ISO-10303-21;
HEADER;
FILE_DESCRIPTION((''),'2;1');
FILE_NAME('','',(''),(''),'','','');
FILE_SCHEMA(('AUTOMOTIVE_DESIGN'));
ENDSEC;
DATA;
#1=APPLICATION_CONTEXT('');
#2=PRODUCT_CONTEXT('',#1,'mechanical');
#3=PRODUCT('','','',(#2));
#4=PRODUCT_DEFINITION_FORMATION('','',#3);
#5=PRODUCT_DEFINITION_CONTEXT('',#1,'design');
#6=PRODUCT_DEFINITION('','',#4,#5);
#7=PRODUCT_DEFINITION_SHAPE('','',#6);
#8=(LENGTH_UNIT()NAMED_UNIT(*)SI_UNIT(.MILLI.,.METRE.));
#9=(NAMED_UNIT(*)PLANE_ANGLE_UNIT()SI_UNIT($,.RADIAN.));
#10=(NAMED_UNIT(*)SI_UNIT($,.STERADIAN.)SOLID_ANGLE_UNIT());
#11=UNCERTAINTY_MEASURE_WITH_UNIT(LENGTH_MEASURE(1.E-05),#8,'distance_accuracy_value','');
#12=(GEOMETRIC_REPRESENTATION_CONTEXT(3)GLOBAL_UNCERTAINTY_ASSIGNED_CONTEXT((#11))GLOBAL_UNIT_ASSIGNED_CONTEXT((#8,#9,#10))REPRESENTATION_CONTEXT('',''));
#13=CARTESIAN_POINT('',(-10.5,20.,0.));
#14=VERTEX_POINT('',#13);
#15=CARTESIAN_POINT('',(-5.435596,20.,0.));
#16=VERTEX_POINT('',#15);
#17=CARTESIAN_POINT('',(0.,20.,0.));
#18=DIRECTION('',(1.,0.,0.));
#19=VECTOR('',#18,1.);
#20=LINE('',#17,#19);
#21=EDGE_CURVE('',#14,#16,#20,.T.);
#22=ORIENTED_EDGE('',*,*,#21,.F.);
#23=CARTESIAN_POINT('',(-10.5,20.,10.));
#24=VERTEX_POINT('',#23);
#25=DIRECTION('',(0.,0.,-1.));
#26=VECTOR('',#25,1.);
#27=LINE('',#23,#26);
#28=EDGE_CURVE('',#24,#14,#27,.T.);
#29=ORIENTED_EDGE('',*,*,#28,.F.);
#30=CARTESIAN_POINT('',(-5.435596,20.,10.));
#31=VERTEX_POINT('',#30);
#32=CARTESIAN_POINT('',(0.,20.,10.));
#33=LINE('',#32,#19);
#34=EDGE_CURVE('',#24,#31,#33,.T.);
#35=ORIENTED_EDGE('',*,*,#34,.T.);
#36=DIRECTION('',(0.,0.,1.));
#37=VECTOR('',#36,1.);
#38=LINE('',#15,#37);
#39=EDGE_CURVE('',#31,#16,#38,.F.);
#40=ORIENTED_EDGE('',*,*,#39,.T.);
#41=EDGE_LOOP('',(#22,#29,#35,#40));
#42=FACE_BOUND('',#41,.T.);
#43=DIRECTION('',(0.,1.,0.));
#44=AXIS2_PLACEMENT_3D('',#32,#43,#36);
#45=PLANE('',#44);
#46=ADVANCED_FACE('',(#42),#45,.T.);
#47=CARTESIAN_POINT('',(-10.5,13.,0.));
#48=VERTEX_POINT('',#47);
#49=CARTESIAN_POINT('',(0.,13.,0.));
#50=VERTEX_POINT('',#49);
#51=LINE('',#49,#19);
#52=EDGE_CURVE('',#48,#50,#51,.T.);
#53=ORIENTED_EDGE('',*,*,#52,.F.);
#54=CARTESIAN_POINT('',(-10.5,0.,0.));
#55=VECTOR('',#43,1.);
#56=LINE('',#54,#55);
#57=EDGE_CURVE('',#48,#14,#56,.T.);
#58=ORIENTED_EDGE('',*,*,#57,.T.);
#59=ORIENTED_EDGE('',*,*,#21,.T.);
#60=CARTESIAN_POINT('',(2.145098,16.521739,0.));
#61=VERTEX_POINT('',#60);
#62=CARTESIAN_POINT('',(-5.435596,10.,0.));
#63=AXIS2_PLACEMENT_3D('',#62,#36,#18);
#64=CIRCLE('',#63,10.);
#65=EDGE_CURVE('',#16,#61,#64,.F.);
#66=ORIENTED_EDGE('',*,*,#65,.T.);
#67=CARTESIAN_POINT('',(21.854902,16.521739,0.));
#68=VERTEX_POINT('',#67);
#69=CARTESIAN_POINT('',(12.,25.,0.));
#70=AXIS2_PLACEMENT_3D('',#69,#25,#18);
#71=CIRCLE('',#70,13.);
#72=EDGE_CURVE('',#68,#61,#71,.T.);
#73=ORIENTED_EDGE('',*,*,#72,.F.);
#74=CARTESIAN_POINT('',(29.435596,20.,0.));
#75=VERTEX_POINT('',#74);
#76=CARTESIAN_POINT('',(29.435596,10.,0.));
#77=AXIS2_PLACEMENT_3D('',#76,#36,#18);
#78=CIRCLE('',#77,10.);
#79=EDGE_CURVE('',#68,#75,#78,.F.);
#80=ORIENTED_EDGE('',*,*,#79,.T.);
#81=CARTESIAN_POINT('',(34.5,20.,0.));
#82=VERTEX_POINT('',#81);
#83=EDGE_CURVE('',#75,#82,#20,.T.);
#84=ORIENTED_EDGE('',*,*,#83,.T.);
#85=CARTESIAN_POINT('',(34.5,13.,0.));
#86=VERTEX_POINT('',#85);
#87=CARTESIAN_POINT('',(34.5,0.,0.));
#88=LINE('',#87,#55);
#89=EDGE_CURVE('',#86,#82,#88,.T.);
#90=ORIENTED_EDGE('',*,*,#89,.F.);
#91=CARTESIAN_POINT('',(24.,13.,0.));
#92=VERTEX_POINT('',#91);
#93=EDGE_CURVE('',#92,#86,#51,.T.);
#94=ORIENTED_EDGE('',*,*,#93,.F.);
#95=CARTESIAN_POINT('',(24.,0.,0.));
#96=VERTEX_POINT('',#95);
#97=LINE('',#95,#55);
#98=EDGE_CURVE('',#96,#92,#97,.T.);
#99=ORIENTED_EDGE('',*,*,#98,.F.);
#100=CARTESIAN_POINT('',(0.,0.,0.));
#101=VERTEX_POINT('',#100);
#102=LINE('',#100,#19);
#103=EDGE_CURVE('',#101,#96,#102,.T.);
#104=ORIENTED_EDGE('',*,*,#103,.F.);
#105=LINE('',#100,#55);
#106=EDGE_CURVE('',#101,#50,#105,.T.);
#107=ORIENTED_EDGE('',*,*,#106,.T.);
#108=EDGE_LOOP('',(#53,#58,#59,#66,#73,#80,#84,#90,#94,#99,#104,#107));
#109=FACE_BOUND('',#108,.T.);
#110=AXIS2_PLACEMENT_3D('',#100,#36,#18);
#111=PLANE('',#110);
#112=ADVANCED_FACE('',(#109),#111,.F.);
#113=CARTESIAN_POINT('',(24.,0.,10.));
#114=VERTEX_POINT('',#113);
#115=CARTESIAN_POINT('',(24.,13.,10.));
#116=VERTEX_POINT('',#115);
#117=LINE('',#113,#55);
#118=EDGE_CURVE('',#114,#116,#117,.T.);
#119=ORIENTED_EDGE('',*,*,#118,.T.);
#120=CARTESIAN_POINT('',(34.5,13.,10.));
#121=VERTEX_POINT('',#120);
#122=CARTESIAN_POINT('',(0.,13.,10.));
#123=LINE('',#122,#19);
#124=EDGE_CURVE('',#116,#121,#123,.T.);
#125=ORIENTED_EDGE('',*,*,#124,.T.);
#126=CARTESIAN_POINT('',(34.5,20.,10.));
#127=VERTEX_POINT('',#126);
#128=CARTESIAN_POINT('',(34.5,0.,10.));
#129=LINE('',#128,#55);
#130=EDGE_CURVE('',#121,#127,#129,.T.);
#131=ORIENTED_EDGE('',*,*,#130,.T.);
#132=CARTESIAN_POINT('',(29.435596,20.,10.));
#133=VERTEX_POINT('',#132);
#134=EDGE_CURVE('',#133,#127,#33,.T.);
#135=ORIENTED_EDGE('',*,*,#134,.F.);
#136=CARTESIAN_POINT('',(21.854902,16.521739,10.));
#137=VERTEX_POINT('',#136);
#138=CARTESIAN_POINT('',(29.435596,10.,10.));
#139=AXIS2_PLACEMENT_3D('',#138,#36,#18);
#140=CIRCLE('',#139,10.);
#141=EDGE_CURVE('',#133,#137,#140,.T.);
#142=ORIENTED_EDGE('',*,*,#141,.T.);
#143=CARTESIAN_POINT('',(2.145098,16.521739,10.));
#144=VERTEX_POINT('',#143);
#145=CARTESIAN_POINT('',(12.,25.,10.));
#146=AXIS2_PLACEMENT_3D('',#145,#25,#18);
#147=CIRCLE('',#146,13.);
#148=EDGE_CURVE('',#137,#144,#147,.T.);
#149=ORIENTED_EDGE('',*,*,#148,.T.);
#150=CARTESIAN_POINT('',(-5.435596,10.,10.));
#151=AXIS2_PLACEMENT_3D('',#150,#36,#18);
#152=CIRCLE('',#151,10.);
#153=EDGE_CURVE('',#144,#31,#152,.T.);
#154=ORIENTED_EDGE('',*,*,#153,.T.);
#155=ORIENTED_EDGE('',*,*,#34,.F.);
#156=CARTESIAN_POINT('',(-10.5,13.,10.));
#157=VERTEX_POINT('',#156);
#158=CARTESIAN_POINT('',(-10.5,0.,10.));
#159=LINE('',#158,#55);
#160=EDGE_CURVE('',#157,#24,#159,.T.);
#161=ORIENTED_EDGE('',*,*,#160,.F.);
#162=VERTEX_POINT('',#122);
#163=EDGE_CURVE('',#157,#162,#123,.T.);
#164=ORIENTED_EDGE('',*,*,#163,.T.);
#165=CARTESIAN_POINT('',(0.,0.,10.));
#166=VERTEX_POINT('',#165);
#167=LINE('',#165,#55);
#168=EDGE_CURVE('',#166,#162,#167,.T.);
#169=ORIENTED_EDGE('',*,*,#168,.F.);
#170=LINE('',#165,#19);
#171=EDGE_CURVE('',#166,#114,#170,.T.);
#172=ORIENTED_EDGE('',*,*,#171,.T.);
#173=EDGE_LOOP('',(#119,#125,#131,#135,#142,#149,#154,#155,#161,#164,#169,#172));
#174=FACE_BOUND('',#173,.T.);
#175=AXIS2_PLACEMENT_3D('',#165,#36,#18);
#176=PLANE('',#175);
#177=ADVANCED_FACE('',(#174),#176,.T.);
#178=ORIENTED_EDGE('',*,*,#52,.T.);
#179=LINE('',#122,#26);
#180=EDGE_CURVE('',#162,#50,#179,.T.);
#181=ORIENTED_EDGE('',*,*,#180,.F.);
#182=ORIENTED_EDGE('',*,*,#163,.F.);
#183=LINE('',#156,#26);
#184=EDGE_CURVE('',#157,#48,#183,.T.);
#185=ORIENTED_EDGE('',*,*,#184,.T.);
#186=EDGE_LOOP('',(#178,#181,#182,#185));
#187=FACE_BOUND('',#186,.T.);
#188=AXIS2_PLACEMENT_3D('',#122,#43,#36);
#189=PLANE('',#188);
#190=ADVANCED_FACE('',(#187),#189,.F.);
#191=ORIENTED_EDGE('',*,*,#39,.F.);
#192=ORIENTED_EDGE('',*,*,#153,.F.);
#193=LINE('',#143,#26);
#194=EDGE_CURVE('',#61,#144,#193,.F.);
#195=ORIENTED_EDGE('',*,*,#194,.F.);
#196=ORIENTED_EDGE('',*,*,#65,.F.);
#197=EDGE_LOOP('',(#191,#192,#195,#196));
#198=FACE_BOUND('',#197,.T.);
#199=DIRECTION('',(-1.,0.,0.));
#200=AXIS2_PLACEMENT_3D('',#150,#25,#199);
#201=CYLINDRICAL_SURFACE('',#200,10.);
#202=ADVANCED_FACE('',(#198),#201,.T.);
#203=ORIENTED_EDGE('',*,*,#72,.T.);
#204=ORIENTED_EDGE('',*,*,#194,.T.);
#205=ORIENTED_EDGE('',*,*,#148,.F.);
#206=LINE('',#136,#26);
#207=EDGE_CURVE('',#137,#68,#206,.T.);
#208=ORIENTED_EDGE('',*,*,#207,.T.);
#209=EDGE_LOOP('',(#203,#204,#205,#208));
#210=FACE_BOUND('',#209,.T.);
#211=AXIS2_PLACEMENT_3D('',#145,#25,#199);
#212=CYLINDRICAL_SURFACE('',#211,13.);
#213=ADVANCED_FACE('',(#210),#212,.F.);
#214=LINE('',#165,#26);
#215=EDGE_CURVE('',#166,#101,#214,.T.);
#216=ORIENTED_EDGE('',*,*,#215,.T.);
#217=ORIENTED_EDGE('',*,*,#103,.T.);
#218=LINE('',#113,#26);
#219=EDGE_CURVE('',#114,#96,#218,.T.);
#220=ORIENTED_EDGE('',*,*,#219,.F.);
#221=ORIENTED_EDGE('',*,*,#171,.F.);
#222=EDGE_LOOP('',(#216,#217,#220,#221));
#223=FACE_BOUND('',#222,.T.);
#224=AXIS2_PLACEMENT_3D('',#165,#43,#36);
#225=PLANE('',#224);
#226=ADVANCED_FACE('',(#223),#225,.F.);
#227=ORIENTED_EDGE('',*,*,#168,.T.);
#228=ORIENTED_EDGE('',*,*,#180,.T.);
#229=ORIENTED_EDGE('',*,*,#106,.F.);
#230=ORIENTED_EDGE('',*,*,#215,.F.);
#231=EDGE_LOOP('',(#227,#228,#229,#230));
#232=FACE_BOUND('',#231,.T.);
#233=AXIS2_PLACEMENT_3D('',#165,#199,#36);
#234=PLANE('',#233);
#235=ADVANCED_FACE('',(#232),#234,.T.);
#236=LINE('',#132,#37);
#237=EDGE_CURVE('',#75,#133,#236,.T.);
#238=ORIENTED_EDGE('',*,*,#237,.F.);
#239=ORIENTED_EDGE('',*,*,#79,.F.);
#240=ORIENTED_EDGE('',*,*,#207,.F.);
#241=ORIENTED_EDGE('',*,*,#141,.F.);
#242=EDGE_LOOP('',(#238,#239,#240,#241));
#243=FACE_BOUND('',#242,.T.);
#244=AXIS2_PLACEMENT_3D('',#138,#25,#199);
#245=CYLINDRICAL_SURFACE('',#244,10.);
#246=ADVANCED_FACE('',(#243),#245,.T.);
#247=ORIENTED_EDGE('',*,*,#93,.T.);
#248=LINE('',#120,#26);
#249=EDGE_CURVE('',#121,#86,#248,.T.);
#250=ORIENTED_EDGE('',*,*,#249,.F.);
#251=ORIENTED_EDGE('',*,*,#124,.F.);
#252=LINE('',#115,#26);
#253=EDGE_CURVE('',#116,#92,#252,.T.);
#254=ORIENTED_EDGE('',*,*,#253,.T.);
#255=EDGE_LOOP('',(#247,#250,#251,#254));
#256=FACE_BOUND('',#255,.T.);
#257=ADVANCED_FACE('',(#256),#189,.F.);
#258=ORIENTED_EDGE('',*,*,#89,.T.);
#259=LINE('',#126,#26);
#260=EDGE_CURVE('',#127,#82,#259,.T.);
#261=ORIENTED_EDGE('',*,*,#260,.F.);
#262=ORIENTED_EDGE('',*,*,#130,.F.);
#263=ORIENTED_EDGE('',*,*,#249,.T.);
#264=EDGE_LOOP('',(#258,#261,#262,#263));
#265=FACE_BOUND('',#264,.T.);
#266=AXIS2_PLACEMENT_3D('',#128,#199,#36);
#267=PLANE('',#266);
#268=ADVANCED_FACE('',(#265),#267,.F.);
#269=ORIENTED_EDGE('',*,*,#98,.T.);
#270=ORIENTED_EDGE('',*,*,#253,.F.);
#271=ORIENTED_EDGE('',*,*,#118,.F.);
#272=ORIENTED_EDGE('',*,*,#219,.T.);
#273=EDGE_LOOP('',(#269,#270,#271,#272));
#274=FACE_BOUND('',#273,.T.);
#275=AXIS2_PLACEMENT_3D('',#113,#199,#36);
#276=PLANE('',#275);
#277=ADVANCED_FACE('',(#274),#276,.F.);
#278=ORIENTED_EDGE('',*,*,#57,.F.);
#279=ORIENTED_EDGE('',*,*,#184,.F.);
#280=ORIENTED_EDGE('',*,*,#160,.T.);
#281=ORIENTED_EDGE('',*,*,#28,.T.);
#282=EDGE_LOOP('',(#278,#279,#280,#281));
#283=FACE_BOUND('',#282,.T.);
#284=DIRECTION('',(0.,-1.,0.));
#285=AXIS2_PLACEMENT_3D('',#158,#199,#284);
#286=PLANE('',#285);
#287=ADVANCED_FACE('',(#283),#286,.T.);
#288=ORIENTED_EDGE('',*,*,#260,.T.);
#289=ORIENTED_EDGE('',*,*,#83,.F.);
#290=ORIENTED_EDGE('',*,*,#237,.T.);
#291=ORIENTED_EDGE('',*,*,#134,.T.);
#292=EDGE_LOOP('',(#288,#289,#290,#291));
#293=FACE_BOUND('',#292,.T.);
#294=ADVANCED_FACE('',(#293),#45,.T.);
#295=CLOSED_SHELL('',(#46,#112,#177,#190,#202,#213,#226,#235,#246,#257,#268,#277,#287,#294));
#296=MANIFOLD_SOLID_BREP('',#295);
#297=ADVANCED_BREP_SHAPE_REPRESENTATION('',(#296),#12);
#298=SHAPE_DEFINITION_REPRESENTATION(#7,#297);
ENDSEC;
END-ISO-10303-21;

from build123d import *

# Parameters (mm, degrees)
SKETCH1_W           = 24
SKETCH1_H           = 13
BOSS_EXTRUDE1_DEPTH = 10
CUT_EXTRUDE2_DEPTH  = 11
FILLET1_R           = 10


with BuildPart() as part:
    # Sketch1 → Boss-Extrude1 (new body)
    with BuildSketch(Plane.XY):
        with Locations((12, 6.5)):
            Rectangle(SKETCH1_W, SKETCH1_H)
        Polygon((24, 13), (34.5, 13), (34.5, 20), (-10.5, 20), (-10.5, 13), (0, 13), align=None)
    extrude(amount=BOSS_EXTRUDE1_DEPTH)

    # Sketch2 → Cut-Extrude2 (cut, through all)
    with BuildSketch(Plane(origin=(0, 0, 0), x_dir=(-1, 0, 0), z_dir=(0, 0, -1))):
        with BuildLine():
            Line((0, 20), (-24, 20))
            ThreePointArc((-24, 20), (-12, 12), (0, 20))
        make_face()
    extrude(amount=-CUT_EXTRUDE2_DEPTH, mode=Mode.SUBTRACT)

    # Fillet1
    fillet1_edges = [part.edges().sort_by_distance(p)[0] for p in [
        (0, 20, 5),
        (24, 20, 5),
    ]]
    fillet(fillet1_edges, radius=FILLET1_R)


solid = part.part
